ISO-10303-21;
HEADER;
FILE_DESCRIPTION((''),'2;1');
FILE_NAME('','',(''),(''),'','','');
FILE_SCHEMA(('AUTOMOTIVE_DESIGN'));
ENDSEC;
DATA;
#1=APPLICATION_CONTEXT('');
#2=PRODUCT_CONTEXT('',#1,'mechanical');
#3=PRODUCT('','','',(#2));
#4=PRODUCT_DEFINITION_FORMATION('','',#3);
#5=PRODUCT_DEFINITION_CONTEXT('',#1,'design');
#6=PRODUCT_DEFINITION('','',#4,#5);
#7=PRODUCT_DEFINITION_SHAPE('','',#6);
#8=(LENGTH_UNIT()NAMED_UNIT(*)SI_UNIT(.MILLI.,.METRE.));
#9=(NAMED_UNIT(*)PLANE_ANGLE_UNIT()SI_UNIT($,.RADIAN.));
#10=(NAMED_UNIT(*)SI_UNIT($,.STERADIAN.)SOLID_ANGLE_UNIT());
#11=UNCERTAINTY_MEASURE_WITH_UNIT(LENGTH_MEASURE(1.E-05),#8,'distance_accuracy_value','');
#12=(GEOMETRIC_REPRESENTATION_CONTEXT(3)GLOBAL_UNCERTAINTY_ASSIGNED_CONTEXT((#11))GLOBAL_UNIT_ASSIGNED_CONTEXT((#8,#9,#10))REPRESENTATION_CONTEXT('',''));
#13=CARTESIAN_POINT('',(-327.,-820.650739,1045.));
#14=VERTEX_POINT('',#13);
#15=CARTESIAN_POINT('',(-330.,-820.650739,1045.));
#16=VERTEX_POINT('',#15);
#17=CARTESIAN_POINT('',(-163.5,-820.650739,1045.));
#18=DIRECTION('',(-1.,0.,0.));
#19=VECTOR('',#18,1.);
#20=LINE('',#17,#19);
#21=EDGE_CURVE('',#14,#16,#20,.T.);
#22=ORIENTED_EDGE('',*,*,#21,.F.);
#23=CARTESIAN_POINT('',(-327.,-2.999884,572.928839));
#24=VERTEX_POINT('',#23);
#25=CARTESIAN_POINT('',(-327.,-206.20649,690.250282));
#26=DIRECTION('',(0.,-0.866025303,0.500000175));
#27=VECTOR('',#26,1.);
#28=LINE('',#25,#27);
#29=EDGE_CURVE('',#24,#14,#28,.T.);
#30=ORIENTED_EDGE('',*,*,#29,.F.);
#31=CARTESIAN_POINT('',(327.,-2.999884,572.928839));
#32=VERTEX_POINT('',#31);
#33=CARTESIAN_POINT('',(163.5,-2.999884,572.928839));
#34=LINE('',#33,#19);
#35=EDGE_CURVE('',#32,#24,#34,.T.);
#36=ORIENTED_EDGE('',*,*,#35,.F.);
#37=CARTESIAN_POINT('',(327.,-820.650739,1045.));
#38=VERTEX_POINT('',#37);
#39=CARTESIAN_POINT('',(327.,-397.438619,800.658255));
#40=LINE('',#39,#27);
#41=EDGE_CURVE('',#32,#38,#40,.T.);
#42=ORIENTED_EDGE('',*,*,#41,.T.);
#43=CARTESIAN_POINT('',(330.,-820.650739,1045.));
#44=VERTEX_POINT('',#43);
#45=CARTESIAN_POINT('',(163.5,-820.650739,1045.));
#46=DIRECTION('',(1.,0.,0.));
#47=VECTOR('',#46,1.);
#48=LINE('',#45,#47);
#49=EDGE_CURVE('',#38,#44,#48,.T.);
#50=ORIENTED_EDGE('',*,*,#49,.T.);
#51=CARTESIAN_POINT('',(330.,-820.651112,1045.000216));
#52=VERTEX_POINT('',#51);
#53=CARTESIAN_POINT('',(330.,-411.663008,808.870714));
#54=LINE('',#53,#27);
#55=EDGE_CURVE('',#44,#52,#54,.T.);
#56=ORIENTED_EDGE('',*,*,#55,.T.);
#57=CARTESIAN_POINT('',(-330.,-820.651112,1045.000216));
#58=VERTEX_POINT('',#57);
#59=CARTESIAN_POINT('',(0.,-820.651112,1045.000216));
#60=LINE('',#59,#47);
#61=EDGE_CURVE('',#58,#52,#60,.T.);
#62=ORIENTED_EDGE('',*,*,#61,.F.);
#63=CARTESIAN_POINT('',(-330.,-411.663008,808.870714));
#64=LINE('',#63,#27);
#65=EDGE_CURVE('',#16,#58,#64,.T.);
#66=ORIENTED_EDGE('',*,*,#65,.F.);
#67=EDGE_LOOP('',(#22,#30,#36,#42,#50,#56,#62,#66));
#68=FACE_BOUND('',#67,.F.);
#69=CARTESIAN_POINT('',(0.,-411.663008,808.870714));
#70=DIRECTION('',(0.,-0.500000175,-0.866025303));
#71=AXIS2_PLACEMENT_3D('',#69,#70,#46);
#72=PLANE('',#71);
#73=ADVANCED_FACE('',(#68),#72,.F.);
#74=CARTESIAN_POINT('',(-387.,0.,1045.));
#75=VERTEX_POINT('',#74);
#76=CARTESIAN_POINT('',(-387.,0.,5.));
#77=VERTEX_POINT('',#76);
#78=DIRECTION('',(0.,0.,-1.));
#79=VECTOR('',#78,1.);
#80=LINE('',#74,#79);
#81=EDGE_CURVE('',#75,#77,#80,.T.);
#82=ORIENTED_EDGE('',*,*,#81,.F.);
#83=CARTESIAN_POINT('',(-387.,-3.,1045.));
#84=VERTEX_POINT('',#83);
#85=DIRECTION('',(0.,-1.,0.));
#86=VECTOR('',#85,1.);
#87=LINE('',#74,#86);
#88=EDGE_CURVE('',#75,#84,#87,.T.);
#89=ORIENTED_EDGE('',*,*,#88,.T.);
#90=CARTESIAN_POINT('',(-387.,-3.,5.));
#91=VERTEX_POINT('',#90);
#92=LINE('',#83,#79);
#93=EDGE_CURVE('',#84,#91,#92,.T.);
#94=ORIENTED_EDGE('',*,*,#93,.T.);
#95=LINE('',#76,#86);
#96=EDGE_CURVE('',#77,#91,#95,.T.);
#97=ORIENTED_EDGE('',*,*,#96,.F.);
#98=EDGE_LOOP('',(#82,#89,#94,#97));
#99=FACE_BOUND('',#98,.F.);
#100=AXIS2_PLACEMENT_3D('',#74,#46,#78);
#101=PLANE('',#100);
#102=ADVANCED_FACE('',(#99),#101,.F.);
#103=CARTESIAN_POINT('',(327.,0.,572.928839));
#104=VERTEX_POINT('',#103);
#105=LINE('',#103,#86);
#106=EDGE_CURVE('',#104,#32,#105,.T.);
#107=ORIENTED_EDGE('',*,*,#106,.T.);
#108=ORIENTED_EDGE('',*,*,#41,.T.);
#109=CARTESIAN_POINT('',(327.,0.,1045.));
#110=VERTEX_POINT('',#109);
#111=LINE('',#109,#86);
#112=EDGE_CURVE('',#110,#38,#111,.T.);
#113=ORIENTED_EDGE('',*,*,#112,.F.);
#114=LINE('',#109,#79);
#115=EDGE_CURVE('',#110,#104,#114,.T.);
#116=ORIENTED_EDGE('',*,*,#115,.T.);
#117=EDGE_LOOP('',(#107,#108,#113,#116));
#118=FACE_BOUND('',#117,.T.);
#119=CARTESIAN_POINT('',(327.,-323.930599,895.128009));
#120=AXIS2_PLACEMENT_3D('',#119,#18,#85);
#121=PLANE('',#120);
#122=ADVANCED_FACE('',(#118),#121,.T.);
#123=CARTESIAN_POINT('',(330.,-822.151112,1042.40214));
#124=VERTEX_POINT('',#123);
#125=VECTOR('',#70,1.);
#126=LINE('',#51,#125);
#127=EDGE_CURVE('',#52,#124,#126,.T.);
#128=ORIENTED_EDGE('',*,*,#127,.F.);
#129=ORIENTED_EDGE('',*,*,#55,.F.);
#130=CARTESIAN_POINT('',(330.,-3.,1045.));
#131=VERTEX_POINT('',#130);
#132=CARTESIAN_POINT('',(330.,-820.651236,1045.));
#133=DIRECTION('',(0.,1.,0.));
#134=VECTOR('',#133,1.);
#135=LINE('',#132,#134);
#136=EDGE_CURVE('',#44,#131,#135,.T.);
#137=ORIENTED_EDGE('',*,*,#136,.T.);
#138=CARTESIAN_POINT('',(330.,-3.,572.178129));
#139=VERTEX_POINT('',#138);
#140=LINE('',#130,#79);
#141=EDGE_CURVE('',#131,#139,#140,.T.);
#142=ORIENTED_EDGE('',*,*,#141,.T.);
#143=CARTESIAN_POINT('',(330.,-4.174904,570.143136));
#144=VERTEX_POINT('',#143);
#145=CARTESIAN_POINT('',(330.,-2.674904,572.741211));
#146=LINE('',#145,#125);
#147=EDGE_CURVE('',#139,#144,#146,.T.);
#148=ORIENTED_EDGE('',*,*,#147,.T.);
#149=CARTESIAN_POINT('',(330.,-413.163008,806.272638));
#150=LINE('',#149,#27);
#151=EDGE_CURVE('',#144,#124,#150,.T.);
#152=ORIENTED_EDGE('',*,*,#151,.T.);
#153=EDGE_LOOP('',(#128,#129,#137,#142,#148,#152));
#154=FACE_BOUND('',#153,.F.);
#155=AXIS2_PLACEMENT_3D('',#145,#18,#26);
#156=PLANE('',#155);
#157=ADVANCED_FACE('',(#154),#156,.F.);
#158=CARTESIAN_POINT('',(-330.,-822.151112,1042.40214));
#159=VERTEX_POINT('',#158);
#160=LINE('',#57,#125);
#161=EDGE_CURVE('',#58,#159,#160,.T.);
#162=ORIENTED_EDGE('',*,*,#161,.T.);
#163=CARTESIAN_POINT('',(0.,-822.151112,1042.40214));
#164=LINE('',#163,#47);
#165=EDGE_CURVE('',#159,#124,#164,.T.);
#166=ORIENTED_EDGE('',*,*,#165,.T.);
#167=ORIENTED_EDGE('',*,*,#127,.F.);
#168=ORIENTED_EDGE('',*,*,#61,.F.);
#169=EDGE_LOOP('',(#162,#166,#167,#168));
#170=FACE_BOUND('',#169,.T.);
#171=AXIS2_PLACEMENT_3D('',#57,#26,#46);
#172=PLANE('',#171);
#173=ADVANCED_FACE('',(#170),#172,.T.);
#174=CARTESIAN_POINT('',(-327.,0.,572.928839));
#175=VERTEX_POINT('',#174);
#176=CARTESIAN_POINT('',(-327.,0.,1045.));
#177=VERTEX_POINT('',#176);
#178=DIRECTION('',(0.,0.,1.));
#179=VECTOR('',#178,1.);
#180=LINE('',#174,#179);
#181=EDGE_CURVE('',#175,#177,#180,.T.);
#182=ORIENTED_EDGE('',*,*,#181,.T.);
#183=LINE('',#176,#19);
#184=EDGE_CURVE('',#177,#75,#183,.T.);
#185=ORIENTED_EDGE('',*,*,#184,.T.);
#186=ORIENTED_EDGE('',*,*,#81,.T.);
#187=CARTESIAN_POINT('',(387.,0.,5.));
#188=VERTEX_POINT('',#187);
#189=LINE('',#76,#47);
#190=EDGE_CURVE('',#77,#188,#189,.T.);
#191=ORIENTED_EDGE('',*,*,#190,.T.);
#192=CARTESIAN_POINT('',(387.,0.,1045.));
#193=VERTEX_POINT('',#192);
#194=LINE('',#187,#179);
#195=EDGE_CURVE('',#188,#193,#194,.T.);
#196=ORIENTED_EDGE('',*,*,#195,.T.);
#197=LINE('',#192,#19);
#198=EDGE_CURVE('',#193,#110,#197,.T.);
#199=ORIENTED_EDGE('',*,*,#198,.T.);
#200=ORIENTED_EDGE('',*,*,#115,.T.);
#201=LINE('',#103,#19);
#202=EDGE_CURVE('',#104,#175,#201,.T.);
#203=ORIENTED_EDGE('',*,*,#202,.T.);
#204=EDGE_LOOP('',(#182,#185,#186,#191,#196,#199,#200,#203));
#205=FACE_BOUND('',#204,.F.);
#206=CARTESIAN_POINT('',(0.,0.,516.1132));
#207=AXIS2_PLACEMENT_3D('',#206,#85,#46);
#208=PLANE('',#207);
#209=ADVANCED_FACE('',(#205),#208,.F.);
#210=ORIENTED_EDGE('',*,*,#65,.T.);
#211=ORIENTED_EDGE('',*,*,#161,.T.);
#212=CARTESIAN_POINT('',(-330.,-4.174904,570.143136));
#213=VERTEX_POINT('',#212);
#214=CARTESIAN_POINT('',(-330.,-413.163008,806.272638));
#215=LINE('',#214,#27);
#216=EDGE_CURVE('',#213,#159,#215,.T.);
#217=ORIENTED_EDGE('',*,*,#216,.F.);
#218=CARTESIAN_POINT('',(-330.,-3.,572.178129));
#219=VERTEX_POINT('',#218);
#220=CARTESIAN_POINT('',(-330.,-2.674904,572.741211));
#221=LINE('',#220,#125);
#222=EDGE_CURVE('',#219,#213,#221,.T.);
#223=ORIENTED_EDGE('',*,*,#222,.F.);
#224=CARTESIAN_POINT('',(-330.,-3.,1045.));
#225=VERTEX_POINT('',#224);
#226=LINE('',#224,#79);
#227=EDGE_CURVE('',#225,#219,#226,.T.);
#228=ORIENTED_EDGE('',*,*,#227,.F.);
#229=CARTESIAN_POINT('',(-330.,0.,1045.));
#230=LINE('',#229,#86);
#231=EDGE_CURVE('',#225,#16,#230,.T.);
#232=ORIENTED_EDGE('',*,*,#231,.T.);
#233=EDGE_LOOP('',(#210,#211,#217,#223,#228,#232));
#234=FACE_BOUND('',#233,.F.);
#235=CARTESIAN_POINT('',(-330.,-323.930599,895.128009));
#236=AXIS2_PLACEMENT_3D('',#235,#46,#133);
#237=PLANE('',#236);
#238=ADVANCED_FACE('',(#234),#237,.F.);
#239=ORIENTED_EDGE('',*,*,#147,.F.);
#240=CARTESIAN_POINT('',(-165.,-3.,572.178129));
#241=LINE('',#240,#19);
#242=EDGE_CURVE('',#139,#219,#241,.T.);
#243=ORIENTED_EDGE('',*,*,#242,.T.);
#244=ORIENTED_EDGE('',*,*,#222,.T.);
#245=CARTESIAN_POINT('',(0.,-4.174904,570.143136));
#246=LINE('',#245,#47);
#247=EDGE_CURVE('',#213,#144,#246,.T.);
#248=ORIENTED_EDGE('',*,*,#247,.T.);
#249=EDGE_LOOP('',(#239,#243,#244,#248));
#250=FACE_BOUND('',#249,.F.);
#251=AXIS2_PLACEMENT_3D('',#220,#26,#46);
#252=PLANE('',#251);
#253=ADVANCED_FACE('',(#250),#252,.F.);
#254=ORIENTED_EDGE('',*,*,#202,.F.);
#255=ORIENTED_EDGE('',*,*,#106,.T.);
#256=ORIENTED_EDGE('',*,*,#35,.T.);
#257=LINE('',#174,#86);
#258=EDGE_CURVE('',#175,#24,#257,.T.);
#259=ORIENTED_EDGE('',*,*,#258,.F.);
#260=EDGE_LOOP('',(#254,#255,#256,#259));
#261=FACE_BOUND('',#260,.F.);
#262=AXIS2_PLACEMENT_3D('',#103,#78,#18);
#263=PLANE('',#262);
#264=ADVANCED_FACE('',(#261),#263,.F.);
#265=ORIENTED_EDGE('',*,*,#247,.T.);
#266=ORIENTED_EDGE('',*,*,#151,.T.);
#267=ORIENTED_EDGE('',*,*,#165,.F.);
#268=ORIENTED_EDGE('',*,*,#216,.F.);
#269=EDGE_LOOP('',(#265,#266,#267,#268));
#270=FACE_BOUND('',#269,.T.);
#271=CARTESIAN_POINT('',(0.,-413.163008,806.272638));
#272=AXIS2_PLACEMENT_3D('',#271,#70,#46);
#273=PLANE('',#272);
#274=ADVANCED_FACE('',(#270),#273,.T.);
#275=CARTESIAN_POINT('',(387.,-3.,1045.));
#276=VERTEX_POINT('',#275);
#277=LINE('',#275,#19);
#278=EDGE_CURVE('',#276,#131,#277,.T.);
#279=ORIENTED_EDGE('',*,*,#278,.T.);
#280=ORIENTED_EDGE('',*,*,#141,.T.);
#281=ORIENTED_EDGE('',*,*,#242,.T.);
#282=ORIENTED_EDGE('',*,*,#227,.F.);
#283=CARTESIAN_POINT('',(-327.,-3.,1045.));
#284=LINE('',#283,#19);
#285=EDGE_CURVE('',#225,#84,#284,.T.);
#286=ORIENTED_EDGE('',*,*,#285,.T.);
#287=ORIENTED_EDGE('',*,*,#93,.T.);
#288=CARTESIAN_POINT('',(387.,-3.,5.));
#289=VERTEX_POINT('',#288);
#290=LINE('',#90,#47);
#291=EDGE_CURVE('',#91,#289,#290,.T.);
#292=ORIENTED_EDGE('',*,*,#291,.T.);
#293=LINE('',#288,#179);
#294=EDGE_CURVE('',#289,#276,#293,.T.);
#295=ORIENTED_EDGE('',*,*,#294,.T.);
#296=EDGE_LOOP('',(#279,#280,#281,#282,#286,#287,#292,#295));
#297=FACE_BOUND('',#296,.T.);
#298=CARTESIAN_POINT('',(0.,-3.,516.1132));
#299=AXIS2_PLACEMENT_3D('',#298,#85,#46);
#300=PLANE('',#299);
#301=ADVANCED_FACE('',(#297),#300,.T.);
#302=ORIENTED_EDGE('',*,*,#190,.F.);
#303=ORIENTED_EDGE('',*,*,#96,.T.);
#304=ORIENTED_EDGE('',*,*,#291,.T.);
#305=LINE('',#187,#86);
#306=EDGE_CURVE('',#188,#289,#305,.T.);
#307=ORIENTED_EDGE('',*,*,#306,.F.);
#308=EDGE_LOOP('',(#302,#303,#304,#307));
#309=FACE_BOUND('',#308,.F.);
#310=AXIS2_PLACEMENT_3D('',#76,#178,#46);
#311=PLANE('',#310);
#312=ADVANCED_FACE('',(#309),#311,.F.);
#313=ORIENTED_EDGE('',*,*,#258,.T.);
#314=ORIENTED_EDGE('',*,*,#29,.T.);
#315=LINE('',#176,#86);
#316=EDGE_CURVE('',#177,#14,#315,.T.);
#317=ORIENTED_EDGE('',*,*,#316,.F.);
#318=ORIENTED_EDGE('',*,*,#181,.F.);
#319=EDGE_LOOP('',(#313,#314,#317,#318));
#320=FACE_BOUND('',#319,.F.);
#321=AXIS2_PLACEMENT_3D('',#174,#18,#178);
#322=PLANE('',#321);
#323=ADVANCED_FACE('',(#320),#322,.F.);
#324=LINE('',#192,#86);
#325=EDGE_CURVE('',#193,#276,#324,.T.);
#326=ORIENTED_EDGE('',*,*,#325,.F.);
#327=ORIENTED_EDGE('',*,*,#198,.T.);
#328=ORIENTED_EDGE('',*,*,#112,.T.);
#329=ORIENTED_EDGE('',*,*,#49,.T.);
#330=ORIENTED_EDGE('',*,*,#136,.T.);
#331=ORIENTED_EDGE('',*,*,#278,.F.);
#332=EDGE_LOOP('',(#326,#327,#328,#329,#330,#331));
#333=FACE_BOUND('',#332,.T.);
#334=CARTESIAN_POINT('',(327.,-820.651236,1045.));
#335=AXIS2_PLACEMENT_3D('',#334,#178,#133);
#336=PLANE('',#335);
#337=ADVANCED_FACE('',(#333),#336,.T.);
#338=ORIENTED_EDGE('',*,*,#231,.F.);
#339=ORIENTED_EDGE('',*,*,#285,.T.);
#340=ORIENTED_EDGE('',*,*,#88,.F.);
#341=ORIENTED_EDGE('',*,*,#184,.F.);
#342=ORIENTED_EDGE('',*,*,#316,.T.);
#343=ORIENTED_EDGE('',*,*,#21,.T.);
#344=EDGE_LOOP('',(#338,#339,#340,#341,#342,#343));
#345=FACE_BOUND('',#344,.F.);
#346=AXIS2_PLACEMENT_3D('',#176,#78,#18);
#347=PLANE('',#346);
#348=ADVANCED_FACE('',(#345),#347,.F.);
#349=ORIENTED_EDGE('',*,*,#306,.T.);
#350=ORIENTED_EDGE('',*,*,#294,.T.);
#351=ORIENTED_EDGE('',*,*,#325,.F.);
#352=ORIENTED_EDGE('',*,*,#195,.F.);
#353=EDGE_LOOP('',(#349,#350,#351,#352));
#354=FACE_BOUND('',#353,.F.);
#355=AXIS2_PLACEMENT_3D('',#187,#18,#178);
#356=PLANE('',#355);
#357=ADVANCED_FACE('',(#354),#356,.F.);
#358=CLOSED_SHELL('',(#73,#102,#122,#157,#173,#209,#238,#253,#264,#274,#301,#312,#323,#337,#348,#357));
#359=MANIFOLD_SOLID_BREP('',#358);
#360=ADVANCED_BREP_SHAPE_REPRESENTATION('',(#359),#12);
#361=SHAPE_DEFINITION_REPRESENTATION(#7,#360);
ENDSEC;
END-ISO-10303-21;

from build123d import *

# Parameters (mm, degrees)
F1_DEPTH = 3
F3_DEPTH = 3
F5_DEPTH = 3
F6_W     = 660
F6_H     = 944.517678
F7_DEPTH = 3
F8_DEPTH = 3


with BuildPart() as f1:
    # F0 (on Front) → F1 (new body)
    with BuildSketch(Plane.XZ):
        Polygon((-387, 1045), (-387, 165.699527), (-387, 5), (387, 5), (387, 165.699527), (387, 1045), (327, 1045), (327, 572.928839), (-327, 572.928839), (-327, 1045), align=None)
    extrude(amount=F1_DEPTH)

    # F2 (on face) → F3 (join)
    with BuildSketch(Plane(origin=(327, 0, 0), x_dir=(0, -1, 0), z_dir=(-1, 0, 0))):
        Polygon((820.651236, 1045), (0, 1045), (0, 572.928839), (3, 572.928839), align=None)
        Polygon((820.651236, 1045), (3, 1045), (3, 572.928839), align=None)
    extrude(amount=-F3_DEPTH)

    # F4 (on face) → F5 (join)
    with BuildSketch(Plane.YZ.offset(-327)):
        Polygon((0, 1045), (-3, 1045), (-820.651236, 1045), (-3, 572.928839), (0, 572.928839), align=None)
    extrude(amount=-F5_DEPTH)

    # F6 (on face) → F7 (join)
    with BuildSketch(Plane(origin=(0, 247.335464, 428.397591), x_dir=(1, 0, 0), z_dir=(0, -0.5, -0.866025))):
        with Locations((0, 760.945979)):
            Rectangle(F6_W, F6_H)
    extrude(amount=F7_DEPTH)

    # F6 (on face) → F8 (join)
    with BuildSketch(Plane(origin=(0, 247.335464, 428.397591), x_dir=(1, 0, 0), z_dir=(0, -0.5, -0.866025))):
        with Locations((0, 760.945979)):
            Rectangle(F6_W, F6_H)
    extrude(amount=F8_DEPTH)


solid = f1.part
